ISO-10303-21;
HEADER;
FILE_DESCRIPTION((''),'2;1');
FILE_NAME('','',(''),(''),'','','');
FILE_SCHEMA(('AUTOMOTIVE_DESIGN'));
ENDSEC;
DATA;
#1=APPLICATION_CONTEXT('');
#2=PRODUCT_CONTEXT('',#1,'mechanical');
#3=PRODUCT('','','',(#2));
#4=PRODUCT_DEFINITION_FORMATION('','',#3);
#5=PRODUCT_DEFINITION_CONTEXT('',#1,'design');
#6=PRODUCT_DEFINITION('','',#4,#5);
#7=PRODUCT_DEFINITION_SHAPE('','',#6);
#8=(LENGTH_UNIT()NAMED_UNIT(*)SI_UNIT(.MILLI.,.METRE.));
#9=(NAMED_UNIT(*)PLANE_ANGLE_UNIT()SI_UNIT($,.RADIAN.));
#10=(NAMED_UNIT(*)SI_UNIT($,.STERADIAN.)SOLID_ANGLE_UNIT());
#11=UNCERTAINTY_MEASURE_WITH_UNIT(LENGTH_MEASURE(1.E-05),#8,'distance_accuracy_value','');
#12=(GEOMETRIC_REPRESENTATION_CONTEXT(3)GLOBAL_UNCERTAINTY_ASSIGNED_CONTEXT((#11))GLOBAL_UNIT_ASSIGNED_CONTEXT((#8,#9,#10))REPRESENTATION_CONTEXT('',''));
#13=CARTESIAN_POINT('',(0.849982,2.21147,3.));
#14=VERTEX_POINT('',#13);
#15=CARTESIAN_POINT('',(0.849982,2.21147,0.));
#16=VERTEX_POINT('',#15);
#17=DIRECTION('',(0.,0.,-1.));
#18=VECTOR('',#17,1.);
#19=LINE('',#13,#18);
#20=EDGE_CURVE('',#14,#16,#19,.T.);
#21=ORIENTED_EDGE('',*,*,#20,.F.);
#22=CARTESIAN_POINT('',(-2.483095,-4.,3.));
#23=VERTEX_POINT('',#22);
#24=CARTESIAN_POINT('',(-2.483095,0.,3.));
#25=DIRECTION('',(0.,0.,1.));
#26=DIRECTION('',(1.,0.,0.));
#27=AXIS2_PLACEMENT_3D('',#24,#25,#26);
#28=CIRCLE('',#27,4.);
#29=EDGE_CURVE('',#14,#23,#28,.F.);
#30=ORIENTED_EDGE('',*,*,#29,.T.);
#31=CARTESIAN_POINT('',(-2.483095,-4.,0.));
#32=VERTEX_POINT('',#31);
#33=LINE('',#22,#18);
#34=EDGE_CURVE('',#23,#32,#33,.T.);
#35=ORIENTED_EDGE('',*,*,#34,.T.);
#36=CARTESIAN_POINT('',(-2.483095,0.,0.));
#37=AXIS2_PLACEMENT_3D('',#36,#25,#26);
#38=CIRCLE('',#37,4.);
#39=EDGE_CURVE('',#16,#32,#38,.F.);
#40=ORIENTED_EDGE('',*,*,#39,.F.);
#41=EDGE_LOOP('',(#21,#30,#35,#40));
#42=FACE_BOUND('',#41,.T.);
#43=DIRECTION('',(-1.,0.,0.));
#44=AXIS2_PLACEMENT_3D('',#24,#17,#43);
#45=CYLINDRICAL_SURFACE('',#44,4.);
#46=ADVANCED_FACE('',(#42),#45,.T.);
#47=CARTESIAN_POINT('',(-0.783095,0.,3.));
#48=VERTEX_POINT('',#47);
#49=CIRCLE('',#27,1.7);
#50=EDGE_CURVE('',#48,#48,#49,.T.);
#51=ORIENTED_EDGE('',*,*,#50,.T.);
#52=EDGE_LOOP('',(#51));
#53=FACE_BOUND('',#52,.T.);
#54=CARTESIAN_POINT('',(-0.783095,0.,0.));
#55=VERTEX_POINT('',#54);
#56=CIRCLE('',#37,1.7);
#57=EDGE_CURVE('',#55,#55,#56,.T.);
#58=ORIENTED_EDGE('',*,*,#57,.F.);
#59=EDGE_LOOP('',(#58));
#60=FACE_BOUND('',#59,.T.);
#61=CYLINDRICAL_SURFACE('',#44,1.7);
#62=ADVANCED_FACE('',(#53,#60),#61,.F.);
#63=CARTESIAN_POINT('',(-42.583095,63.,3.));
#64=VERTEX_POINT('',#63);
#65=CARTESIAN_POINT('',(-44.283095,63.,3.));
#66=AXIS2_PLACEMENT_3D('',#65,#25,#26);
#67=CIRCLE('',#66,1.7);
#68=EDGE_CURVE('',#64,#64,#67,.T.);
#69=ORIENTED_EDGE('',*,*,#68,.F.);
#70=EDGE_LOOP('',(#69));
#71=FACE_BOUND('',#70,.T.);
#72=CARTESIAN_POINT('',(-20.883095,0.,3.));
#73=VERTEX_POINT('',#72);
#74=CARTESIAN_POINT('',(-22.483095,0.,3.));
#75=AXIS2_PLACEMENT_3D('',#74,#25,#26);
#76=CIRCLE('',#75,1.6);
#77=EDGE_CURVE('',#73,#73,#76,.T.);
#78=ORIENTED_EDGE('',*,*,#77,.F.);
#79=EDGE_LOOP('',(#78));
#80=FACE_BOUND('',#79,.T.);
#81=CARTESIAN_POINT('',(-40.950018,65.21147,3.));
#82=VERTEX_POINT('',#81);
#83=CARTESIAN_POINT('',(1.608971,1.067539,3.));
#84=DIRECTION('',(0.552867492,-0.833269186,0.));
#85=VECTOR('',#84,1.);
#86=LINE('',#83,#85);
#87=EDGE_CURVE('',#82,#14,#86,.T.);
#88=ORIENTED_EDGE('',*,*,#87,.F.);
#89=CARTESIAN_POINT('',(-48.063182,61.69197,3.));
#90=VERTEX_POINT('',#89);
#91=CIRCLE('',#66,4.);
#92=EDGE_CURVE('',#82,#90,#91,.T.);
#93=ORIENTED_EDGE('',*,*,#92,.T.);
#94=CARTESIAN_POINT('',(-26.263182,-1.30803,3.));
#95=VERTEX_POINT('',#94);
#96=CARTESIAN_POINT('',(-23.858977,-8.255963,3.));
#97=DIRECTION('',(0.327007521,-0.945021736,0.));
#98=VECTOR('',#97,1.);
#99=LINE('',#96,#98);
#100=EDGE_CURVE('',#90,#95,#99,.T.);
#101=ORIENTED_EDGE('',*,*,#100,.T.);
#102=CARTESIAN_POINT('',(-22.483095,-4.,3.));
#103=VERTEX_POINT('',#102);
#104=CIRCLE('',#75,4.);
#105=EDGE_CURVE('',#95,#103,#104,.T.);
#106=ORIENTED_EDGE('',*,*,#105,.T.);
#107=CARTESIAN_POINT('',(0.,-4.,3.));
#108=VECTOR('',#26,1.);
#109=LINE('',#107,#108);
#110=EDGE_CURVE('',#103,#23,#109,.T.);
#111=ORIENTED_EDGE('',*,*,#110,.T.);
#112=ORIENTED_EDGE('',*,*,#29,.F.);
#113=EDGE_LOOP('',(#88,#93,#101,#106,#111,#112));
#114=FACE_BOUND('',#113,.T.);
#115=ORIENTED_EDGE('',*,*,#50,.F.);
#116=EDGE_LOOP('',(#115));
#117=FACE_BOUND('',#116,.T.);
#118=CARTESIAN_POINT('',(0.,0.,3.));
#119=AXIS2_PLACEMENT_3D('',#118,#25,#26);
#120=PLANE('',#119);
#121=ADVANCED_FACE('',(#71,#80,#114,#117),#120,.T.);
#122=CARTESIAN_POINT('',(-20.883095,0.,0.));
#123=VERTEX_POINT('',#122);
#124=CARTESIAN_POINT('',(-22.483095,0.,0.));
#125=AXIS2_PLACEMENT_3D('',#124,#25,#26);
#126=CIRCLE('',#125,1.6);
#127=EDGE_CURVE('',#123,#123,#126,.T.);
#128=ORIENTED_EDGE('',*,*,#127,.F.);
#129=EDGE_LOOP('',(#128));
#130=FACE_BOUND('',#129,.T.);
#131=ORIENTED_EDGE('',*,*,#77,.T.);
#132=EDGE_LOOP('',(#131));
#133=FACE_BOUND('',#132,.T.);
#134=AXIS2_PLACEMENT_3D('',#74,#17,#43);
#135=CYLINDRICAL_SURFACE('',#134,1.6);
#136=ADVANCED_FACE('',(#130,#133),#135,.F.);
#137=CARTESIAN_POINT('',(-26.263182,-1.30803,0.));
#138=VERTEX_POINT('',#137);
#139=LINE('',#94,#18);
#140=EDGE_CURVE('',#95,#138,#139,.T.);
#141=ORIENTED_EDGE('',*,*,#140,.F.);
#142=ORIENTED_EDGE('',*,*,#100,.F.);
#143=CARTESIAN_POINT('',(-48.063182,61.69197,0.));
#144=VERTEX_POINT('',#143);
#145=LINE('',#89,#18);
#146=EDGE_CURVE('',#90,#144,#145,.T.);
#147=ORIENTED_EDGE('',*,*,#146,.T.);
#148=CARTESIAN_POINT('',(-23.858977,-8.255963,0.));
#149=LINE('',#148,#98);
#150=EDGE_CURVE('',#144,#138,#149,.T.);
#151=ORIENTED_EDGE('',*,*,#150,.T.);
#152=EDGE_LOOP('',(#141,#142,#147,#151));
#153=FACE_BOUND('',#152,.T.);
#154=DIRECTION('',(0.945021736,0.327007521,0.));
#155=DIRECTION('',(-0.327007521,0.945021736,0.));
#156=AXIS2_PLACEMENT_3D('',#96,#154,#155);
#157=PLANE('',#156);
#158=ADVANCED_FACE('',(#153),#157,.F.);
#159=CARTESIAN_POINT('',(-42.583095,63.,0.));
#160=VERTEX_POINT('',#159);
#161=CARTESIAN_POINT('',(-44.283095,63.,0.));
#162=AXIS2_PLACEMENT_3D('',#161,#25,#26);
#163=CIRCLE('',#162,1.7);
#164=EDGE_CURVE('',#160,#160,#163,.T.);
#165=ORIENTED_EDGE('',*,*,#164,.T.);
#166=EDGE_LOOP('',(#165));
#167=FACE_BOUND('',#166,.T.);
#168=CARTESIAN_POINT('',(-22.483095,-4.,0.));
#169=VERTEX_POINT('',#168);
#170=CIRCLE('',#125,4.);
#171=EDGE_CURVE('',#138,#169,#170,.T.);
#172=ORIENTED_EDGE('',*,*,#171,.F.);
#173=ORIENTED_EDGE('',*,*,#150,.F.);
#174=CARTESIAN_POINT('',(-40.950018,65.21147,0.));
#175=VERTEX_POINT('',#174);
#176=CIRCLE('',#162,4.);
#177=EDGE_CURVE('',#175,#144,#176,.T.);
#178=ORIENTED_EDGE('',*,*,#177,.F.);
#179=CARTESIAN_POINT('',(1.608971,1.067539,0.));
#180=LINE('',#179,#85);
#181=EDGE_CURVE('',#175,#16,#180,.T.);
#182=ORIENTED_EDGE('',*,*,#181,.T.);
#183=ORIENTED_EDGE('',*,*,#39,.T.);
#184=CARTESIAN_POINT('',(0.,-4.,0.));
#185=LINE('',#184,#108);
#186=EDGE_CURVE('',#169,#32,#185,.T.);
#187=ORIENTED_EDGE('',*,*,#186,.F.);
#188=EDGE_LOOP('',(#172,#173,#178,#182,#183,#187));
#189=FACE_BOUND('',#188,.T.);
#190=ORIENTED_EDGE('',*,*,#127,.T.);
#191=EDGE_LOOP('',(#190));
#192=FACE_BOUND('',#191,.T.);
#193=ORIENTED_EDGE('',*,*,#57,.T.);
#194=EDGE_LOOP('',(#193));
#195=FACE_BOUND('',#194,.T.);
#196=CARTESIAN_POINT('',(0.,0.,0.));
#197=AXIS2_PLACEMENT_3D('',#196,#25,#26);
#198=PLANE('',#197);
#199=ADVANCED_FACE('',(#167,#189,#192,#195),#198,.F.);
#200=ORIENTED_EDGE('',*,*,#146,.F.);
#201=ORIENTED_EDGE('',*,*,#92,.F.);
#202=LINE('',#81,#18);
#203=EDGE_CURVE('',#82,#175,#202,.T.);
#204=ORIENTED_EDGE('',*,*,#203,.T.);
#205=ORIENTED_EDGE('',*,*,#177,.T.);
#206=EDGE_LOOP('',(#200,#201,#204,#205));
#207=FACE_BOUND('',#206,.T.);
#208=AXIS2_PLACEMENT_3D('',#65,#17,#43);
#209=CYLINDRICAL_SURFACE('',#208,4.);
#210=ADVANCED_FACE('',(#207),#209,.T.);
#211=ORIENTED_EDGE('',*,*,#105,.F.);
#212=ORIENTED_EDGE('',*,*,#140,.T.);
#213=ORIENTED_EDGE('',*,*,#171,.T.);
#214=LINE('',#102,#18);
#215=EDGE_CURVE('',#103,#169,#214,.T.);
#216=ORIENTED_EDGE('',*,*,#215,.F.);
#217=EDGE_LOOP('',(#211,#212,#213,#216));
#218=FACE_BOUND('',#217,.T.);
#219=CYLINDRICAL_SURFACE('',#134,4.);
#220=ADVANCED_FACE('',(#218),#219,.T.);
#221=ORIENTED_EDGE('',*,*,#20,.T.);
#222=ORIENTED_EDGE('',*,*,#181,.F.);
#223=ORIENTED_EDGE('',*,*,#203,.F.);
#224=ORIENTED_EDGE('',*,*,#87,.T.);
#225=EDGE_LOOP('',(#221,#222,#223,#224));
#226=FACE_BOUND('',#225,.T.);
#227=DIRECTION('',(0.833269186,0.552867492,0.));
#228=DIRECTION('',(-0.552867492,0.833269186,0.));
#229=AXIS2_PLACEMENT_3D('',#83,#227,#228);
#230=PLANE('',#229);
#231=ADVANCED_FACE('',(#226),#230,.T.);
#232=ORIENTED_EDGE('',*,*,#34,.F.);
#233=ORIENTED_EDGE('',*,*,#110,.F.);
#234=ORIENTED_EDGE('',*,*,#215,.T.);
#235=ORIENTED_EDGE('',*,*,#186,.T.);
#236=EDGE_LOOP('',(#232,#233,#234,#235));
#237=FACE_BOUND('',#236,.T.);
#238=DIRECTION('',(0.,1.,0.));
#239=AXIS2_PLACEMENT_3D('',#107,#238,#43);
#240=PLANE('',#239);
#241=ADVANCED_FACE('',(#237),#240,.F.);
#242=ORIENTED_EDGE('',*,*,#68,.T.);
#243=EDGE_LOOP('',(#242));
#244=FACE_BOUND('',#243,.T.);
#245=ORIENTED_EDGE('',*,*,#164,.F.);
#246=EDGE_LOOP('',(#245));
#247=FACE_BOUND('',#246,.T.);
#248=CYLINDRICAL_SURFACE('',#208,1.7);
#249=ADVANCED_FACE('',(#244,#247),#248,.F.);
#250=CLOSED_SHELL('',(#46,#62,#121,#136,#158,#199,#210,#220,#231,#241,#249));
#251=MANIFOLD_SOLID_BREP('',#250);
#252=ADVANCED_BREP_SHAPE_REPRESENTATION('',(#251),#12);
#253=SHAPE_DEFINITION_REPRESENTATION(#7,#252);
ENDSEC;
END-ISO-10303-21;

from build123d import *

# Parameters (mm, degrees)
SKETCH_1_R      = 1.6
SKETCH_1_R_2    = 1.7
SKETCH_1_R_3    = 4
EXTRUDE_1_DEPTH = 3


with BuildPart() as part:
    # 草图1 → 凸台-拉伸1 (new body)
    # profile 1 of 3: a face of its own
    with BuildSketch(Plane.XY):
        with BuildLine():
            Line((-2.4830952, 4), (-22.4830952, 4))
            ThreePointArc((-22.4830952, 4), (-25.741324807, 2.320331836), (-26.263182143, -1.308030085))
            ThreePointArc((-26.263182143, -1.308030085), (-24.803427036, -3.258229607), (-22.4830952, -4))
            Line((-22.4830952, -4), (-2.4830952, -4))
            ThreePointArc((-2.4830952, -4), (1.041523919, -1.891311732), (0.849981545, 2.211469967))
            ThreePointArc((0.849981545, 2.211469967), (-0.591783468, 3.524619119), (-2.4830952, 4))
        make_face()
        with Locations((-22.4830952, 0)):
            Circle(SKETCH_1_R, mode=Mode.SUBTRACT)
        with Locations((-2.4830952, 0)):
            Circle(SKETCH_1_R_2, mode=Mode.SUBTRACT)
    # profile 2 of 3: a face of its own
    with BuildSketch(Plane.XY):
        with BuildLine():
            ThreePointArc((-26.263182143, -1.308030085), (-25.741324807, 2.320331836), (-22.4830952, 4))
            Line((-22.4830952, 4), (-2.4830952, 4))
            ThreePointArc((-2.4830952, 4), (-0.591783468, 3.524619119), (0.849981545, 2.211469967))
            Line((0.849981545, 2.211469967), (-40.950018455, 65.211469967))
            ThreePointArc((-40.950018455, 65.211469967), (-40.453453769, 64.154922729), (-40.2830952, 63))
            ThreePointArc((-40.2830952, 63), (-43.619901326, 59.055361374), (-48.063182143, 61.691969915))
            Line((-48.063182143, 61.691969915), (-26.263182143, -1.308030085))
        make_face()
    # profile 3 of 3: a face of its own
    with BuildSketch(Plane.XY):
        with Locations((-44.2830952, 63)):
            Circle(SKETCH_1_R_3)
        with Locations((-44.2830952, 63)):
            Circle(SKETCH_1_R_2, mode=Mode.SUBTRACT)
    extrude(amount=EXTRUDE_1_DEPTH)


solid = part.part
